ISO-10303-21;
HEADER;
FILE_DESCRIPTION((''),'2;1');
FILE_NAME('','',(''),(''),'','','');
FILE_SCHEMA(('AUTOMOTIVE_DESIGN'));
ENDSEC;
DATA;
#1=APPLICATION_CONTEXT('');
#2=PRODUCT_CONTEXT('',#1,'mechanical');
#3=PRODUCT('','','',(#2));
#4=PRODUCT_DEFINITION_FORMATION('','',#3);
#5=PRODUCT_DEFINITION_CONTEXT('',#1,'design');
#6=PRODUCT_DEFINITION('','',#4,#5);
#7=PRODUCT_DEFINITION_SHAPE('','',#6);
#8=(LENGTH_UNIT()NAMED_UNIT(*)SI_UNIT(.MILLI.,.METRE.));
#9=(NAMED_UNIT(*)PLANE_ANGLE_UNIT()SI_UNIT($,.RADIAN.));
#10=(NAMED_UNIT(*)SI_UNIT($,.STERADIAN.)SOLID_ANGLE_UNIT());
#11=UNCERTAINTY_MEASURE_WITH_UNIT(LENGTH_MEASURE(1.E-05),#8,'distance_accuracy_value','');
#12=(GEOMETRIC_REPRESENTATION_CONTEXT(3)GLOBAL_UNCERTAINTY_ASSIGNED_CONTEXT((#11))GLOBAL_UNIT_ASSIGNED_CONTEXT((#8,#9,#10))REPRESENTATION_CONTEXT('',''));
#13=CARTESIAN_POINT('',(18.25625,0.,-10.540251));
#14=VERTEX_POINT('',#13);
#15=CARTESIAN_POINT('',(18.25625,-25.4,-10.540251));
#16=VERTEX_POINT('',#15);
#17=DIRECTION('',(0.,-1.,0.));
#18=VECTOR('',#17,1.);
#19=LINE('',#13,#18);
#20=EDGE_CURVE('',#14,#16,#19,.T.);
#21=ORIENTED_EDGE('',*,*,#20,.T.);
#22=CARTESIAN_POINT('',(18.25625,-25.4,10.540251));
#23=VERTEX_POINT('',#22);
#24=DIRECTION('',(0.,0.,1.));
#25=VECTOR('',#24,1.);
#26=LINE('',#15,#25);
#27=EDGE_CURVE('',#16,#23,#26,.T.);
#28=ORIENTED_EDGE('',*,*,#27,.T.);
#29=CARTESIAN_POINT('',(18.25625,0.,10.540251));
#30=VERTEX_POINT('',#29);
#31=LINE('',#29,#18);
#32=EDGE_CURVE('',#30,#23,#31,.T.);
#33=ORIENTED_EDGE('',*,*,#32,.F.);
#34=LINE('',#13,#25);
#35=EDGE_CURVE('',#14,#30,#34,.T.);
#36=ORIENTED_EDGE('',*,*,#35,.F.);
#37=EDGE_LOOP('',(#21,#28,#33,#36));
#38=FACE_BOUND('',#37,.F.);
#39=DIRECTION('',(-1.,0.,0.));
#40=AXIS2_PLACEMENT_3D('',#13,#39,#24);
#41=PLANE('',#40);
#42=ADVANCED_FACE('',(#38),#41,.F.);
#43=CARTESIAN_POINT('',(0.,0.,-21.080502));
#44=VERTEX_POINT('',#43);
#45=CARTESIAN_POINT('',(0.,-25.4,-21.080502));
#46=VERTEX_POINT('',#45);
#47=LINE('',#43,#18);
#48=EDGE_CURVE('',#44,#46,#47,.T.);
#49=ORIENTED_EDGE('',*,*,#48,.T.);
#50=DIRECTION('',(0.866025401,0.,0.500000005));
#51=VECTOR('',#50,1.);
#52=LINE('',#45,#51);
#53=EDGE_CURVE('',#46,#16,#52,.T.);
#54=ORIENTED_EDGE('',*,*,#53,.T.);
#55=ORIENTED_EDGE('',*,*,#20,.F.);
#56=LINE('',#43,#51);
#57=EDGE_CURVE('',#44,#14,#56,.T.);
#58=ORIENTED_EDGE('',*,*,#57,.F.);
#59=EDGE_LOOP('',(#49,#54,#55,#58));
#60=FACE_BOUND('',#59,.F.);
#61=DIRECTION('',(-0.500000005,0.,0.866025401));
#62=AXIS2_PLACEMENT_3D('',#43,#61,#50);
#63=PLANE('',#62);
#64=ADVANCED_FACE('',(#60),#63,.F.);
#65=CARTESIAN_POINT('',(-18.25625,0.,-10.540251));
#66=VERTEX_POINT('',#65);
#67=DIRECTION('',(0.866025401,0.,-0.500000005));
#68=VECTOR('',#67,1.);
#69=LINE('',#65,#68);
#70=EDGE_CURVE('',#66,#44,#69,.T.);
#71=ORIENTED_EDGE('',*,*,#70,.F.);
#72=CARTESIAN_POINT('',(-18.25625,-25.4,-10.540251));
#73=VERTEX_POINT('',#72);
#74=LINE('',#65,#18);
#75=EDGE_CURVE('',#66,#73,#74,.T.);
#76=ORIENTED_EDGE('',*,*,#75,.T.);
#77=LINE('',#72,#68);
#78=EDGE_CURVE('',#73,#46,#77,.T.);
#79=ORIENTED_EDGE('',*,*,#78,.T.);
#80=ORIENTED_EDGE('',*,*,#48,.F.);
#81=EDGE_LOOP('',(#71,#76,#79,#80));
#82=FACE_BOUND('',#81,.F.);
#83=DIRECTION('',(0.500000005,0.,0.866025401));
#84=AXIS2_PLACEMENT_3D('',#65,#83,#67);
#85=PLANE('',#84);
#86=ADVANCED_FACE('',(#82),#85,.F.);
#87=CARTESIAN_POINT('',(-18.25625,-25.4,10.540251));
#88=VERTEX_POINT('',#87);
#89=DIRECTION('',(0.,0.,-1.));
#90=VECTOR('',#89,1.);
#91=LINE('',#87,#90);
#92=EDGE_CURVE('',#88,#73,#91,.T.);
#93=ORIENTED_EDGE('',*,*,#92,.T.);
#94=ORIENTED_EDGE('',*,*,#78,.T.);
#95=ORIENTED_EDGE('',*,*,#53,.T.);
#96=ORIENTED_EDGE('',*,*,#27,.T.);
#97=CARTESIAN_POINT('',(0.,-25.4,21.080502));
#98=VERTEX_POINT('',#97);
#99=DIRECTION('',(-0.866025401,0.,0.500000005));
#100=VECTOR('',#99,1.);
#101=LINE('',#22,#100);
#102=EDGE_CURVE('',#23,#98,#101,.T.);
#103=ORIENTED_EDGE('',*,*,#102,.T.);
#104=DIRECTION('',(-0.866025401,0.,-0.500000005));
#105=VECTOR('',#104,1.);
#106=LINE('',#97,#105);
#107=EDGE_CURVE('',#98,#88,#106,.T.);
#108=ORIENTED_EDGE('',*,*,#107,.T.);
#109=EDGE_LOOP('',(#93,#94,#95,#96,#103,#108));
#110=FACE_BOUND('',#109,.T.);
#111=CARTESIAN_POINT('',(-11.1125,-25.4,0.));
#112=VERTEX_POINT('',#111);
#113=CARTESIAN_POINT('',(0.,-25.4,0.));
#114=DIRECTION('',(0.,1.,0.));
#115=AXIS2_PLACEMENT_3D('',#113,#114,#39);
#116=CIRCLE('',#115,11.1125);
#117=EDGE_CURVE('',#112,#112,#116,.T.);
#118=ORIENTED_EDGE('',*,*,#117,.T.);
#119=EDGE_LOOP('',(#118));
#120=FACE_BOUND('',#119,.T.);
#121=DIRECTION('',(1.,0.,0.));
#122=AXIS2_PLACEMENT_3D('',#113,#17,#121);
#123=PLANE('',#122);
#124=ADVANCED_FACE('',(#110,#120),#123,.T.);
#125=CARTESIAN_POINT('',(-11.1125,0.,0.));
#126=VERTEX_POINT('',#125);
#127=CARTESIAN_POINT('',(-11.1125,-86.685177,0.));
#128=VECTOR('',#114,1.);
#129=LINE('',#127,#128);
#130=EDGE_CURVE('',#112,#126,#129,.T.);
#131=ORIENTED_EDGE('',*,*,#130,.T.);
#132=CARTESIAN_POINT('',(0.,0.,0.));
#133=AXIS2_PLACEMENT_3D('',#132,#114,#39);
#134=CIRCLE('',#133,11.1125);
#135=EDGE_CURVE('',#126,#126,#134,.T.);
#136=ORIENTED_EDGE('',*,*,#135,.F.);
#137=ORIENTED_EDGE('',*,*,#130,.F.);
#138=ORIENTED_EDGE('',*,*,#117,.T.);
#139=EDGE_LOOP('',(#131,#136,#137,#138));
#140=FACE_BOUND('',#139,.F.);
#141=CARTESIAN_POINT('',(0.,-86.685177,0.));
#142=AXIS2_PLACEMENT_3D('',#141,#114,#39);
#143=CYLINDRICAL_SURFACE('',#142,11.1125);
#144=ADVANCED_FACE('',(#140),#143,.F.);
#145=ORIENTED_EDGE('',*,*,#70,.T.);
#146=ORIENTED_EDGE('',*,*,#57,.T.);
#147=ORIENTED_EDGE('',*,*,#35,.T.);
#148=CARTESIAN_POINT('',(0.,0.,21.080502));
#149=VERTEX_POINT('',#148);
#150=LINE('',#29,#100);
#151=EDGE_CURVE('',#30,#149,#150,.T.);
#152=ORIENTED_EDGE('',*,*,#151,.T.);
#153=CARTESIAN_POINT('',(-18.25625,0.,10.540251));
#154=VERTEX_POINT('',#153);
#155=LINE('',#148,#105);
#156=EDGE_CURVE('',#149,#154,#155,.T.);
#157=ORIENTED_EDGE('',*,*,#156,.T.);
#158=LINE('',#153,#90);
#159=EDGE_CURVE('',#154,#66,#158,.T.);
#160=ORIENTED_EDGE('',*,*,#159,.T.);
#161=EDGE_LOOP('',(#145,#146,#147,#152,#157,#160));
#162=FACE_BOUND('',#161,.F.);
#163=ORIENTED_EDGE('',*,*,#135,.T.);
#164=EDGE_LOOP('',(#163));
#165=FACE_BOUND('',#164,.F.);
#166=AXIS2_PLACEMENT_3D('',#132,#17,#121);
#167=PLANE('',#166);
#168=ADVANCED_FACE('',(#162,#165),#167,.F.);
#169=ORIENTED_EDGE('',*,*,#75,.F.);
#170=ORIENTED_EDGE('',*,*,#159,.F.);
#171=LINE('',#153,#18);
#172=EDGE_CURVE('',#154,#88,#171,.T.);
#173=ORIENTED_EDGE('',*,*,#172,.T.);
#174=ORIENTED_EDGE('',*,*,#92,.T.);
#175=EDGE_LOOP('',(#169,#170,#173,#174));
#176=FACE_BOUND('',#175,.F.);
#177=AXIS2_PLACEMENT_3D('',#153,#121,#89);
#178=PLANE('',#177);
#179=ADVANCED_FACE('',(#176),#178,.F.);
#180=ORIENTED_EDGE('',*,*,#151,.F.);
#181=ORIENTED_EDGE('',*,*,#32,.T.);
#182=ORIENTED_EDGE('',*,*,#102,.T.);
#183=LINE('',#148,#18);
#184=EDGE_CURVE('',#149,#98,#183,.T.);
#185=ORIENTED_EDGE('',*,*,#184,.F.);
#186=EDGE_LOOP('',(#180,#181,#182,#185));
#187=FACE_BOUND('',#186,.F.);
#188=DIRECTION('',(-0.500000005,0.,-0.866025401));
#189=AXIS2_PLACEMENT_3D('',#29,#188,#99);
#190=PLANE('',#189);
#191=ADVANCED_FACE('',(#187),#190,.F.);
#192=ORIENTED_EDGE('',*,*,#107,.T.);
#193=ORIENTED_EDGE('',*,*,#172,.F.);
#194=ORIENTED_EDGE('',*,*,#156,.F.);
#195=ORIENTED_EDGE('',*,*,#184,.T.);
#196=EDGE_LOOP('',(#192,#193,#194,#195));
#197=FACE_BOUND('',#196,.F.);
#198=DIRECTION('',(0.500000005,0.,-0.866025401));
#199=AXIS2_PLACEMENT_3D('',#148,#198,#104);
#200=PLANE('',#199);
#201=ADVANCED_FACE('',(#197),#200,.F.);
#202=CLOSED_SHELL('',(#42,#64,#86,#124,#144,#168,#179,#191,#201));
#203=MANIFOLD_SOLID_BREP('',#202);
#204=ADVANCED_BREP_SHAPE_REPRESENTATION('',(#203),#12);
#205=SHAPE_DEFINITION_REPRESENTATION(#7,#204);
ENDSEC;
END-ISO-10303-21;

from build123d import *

# Parameters (mm, degrees)
F1_DEPTH = 25.4
F3_D     = 22.225


with BuildPart() as f1:
    # F0 (on Front) → F1 (new body)
    with BuildSketch(Plane.XZ):
        Polygon((18.25625, -10.540251), (18.25625, 10.540251), (0, 21.080502), (-18.25625, 10.540251), (-18.25625, -10.540251), (0, -21.080502), align=None)
    extrude(amount=F1_DEPTH)

    # F3 (through all)
    with Locations(Plane.XZ.offset(25.4)):
        with Locations((0, 0)):
            Hole(F3_D / 2)


solid = f1.part
